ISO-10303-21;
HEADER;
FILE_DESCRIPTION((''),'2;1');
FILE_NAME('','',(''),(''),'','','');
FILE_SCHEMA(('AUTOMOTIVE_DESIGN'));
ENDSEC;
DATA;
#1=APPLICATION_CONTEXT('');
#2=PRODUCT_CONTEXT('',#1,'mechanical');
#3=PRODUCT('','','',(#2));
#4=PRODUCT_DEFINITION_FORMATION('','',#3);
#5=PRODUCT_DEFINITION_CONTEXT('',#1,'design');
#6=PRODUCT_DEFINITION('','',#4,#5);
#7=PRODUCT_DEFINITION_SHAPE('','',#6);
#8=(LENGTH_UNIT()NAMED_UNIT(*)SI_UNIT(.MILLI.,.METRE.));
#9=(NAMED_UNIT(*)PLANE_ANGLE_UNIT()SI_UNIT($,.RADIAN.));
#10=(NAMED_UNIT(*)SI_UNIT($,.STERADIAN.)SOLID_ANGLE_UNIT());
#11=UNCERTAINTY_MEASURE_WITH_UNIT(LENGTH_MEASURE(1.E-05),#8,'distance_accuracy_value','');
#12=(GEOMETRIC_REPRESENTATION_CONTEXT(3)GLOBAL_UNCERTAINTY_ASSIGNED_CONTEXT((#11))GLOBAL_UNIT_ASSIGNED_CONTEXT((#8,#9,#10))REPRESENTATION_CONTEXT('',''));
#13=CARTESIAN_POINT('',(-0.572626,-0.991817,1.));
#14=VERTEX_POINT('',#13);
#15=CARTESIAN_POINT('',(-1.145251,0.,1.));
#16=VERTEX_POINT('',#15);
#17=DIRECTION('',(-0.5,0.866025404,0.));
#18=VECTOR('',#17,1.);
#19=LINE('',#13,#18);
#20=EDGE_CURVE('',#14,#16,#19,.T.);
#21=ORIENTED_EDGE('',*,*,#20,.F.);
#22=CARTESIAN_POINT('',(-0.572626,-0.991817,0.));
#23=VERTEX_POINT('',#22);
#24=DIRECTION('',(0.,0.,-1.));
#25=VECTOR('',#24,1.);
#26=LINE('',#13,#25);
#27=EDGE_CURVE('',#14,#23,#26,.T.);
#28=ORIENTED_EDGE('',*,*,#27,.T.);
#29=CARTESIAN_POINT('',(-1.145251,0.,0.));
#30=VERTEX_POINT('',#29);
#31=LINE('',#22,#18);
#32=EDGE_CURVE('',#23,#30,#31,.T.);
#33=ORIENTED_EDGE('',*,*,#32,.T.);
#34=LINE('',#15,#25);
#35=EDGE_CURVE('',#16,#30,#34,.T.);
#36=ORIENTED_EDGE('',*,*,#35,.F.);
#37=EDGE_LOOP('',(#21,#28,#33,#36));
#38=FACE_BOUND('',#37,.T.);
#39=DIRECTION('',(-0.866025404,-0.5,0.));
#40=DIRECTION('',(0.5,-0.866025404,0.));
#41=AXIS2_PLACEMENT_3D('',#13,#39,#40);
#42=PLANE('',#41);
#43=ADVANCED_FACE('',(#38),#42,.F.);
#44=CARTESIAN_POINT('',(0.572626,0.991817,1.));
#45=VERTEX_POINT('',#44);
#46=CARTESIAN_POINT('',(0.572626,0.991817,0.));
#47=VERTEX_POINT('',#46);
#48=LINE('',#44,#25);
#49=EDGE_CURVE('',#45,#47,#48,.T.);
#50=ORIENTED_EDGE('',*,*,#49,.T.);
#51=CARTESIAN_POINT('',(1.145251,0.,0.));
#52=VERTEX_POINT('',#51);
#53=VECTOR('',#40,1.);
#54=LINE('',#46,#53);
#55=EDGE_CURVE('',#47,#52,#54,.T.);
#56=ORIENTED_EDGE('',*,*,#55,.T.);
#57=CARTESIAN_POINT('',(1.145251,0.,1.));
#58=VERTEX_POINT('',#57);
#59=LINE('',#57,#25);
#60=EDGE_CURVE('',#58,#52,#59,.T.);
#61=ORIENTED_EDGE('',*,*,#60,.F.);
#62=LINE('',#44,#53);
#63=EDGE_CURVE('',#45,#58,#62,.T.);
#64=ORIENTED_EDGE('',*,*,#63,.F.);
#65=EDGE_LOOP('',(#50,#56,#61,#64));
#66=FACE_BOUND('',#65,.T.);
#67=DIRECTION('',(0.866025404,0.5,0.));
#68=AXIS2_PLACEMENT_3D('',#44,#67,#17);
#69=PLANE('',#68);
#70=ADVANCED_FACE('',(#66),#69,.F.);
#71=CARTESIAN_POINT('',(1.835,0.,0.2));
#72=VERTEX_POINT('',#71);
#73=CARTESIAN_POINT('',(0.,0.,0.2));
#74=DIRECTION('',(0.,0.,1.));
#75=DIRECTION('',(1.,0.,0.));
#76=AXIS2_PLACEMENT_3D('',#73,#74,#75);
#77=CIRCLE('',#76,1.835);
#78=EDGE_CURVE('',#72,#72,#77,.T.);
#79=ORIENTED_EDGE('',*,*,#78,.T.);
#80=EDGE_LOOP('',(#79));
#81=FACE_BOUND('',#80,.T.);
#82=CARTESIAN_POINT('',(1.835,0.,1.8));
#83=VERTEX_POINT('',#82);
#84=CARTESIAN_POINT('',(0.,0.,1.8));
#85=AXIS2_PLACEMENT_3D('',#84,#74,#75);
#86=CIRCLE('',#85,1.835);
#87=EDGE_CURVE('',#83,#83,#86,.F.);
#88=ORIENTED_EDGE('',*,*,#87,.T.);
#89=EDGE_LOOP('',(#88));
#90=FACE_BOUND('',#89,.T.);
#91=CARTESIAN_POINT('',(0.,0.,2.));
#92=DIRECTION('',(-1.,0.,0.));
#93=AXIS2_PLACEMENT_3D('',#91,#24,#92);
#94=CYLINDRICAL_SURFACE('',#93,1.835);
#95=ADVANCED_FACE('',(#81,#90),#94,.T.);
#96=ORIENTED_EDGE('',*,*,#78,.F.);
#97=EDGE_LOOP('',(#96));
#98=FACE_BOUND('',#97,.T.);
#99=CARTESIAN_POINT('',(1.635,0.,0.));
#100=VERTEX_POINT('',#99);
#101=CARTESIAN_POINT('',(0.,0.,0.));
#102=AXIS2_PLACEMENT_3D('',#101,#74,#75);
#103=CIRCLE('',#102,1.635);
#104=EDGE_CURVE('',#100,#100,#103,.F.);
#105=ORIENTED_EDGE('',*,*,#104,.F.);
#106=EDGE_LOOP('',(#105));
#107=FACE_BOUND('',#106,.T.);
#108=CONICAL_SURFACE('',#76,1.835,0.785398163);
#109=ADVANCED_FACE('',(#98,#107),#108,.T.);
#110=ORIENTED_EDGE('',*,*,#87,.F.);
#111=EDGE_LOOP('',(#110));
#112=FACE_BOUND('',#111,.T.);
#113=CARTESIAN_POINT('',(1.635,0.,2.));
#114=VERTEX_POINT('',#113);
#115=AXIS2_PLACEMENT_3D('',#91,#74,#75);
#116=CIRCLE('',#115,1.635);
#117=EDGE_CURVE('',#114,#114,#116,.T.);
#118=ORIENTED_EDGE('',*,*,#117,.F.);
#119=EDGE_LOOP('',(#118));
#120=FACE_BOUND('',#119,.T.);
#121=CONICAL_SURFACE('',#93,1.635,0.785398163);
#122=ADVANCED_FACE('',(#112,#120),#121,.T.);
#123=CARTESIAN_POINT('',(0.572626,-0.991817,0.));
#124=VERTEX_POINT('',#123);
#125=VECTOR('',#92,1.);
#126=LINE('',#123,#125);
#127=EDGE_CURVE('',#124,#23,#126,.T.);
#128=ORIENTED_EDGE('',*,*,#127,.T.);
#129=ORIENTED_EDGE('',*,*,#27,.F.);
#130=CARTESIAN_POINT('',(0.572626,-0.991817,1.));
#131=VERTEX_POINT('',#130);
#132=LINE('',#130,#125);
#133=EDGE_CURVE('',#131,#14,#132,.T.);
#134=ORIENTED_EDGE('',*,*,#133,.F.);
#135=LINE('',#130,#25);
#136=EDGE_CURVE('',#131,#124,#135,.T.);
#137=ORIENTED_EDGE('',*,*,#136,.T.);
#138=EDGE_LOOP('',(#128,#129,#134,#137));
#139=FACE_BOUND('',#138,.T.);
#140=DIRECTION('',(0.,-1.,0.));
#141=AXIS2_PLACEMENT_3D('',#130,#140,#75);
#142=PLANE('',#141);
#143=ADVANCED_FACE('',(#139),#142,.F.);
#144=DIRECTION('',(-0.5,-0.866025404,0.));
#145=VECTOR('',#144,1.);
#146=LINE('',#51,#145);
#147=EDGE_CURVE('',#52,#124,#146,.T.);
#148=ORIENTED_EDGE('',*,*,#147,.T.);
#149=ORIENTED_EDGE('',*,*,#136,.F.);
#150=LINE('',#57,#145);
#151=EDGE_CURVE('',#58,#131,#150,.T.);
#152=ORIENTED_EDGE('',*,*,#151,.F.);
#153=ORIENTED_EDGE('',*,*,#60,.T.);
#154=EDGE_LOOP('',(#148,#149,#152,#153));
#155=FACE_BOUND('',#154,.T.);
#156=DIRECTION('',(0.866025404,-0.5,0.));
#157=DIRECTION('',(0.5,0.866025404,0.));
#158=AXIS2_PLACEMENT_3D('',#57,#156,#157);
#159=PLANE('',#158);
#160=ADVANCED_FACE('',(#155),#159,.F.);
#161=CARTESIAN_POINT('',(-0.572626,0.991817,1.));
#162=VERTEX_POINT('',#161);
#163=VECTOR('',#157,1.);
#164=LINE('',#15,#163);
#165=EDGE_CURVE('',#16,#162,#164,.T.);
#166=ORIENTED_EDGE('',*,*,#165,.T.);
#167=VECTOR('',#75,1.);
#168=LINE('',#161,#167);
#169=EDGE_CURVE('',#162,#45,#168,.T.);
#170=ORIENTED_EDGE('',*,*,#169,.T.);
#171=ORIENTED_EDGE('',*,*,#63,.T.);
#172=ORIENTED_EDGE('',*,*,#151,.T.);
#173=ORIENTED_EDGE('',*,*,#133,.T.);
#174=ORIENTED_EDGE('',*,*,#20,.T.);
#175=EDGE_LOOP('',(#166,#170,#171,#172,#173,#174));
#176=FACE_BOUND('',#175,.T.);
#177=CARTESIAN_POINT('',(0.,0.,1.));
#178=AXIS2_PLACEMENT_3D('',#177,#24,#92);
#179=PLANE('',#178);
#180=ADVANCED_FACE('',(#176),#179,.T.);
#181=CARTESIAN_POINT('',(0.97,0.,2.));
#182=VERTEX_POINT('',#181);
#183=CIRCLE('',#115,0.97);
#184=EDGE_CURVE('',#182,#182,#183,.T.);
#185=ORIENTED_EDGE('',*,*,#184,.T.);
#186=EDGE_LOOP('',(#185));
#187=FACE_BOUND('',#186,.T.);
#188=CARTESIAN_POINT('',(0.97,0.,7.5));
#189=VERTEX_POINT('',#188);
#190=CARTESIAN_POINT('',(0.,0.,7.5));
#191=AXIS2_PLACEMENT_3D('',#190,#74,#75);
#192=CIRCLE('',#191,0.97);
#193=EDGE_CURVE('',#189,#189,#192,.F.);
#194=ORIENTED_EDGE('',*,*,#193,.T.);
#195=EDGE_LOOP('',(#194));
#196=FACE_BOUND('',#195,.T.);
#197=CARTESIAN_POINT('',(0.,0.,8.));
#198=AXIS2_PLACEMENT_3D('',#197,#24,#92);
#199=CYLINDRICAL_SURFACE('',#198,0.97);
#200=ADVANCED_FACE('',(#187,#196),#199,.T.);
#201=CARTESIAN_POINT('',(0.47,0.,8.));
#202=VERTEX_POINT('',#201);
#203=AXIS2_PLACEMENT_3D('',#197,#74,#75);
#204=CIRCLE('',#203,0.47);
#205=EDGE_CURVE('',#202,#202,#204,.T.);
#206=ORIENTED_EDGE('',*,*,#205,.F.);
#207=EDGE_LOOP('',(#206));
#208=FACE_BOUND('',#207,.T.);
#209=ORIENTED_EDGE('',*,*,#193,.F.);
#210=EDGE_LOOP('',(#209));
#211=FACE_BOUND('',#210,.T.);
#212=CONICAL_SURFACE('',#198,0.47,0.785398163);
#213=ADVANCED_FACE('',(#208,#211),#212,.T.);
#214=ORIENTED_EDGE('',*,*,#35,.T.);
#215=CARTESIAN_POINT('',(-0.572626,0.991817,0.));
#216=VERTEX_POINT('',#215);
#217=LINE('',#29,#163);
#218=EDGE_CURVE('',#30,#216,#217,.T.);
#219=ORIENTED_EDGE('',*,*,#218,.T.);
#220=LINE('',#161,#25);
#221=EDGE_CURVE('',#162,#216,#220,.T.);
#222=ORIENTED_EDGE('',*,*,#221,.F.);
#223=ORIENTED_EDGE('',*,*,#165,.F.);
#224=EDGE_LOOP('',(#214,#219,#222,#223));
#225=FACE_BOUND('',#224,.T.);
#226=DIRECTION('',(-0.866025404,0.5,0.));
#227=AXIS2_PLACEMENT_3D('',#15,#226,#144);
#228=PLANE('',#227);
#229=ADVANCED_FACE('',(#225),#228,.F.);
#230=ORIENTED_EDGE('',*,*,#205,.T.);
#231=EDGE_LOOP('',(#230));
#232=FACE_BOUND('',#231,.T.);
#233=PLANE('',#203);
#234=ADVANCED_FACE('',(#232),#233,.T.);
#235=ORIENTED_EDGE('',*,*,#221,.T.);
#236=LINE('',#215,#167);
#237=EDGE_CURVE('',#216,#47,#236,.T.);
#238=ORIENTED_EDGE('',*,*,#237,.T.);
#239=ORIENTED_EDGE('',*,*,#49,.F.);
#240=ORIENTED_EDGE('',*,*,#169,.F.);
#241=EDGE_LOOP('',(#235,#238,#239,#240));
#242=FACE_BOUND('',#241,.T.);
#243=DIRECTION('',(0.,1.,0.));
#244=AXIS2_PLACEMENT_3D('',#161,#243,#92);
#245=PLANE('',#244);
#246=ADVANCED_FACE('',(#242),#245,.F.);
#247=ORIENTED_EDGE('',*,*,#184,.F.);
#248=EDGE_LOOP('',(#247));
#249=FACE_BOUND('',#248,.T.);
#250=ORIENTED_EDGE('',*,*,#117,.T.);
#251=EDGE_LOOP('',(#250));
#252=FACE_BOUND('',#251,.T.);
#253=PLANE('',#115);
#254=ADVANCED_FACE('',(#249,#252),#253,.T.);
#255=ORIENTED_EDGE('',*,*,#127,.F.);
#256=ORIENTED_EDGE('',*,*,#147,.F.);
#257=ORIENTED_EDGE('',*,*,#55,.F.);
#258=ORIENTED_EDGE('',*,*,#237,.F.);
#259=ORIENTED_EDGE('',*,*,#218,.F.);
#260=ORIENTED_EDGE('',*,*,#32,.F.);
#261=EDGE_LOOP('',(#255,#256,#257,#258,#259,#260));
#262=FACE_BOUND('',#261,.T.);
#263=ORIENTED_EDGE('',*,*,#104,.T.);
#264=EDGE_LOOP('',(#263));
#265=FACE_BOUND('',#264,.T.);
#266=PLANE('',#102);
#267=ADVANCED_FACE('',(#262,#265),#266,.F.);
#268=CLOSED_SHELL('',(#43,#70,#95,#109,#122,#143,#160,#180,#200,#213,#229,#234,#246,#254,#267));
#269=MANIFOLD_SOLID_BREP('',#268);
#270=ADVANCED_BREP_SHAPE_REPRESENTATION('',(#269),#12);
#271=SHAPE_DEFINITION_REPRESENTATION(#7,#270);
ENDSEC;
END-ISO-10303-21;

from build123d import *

# Parameters (mm, degrees)
SKETCH3_R           = 1.835
BOSS_EXTRUDE1_DEPTH = 2
SKETCH4_R           = 0.97
BOSS_EXTRUDE2_DEPTH = 6
CHAMFER1_SIZE       = 0.5
CUT_EXTRUDE1_DEPTH  = 1
CHAMFER2_SIZE       = 0.2


with BuildPart() as part:
    # Sketch3 → Boss-Extrude1 (new body)
    with BuildSketch(Plane.XY):
        Circle(SKETCH3_R)
    extrude(amount=BOSS_EXTRUDE1_DEPTH)

    # Sketch4 → Boss-Extrude2 (add)
    with BuildSketch(Plane.XY.offset(2)):
        Circle(SKETCH4_R)
    extrude(amount=BOSS_EXTRUDE2_DEPTH)

    # Chamfer1
    chamfer1_edges = [part.edges().sort_by_distance(p)[0] for p in [
        (-0.97, 0, 8),
    ]]
    chamfer(chamfer1_edges, length=CHAMFER1_SIZE)

    # Sketch5 → Cut-Extrude1 (cut)
    with BuildSketch(Plane(origin=(0, 0, 0), x_dir=(-1, 0, 0), z_dir=(0, 0, -1))):
        Polygon((1.145251225, 0), (0.572625613, 0.991816655), (-0.572625613, 0.991816655), (-1.145251225, 0), (-0.572625613, -0.991816655), (0.572625613, -0.991816655), align=None)
    extrude(amount=-CUT_EXTRUDE1_DEPTH, mode=Mode.SUBTRACT)

    # Chamfer2
    chamfer2_edges = [part.edges().sort_by_distance(p)[0] for p in [
        (-1.835, 0, 0),
        (-1.835, 0, 2),
    ]]
    chamfer(chamfer2_edges, length=CHAMFER2_SIZE)


solid = part.part
